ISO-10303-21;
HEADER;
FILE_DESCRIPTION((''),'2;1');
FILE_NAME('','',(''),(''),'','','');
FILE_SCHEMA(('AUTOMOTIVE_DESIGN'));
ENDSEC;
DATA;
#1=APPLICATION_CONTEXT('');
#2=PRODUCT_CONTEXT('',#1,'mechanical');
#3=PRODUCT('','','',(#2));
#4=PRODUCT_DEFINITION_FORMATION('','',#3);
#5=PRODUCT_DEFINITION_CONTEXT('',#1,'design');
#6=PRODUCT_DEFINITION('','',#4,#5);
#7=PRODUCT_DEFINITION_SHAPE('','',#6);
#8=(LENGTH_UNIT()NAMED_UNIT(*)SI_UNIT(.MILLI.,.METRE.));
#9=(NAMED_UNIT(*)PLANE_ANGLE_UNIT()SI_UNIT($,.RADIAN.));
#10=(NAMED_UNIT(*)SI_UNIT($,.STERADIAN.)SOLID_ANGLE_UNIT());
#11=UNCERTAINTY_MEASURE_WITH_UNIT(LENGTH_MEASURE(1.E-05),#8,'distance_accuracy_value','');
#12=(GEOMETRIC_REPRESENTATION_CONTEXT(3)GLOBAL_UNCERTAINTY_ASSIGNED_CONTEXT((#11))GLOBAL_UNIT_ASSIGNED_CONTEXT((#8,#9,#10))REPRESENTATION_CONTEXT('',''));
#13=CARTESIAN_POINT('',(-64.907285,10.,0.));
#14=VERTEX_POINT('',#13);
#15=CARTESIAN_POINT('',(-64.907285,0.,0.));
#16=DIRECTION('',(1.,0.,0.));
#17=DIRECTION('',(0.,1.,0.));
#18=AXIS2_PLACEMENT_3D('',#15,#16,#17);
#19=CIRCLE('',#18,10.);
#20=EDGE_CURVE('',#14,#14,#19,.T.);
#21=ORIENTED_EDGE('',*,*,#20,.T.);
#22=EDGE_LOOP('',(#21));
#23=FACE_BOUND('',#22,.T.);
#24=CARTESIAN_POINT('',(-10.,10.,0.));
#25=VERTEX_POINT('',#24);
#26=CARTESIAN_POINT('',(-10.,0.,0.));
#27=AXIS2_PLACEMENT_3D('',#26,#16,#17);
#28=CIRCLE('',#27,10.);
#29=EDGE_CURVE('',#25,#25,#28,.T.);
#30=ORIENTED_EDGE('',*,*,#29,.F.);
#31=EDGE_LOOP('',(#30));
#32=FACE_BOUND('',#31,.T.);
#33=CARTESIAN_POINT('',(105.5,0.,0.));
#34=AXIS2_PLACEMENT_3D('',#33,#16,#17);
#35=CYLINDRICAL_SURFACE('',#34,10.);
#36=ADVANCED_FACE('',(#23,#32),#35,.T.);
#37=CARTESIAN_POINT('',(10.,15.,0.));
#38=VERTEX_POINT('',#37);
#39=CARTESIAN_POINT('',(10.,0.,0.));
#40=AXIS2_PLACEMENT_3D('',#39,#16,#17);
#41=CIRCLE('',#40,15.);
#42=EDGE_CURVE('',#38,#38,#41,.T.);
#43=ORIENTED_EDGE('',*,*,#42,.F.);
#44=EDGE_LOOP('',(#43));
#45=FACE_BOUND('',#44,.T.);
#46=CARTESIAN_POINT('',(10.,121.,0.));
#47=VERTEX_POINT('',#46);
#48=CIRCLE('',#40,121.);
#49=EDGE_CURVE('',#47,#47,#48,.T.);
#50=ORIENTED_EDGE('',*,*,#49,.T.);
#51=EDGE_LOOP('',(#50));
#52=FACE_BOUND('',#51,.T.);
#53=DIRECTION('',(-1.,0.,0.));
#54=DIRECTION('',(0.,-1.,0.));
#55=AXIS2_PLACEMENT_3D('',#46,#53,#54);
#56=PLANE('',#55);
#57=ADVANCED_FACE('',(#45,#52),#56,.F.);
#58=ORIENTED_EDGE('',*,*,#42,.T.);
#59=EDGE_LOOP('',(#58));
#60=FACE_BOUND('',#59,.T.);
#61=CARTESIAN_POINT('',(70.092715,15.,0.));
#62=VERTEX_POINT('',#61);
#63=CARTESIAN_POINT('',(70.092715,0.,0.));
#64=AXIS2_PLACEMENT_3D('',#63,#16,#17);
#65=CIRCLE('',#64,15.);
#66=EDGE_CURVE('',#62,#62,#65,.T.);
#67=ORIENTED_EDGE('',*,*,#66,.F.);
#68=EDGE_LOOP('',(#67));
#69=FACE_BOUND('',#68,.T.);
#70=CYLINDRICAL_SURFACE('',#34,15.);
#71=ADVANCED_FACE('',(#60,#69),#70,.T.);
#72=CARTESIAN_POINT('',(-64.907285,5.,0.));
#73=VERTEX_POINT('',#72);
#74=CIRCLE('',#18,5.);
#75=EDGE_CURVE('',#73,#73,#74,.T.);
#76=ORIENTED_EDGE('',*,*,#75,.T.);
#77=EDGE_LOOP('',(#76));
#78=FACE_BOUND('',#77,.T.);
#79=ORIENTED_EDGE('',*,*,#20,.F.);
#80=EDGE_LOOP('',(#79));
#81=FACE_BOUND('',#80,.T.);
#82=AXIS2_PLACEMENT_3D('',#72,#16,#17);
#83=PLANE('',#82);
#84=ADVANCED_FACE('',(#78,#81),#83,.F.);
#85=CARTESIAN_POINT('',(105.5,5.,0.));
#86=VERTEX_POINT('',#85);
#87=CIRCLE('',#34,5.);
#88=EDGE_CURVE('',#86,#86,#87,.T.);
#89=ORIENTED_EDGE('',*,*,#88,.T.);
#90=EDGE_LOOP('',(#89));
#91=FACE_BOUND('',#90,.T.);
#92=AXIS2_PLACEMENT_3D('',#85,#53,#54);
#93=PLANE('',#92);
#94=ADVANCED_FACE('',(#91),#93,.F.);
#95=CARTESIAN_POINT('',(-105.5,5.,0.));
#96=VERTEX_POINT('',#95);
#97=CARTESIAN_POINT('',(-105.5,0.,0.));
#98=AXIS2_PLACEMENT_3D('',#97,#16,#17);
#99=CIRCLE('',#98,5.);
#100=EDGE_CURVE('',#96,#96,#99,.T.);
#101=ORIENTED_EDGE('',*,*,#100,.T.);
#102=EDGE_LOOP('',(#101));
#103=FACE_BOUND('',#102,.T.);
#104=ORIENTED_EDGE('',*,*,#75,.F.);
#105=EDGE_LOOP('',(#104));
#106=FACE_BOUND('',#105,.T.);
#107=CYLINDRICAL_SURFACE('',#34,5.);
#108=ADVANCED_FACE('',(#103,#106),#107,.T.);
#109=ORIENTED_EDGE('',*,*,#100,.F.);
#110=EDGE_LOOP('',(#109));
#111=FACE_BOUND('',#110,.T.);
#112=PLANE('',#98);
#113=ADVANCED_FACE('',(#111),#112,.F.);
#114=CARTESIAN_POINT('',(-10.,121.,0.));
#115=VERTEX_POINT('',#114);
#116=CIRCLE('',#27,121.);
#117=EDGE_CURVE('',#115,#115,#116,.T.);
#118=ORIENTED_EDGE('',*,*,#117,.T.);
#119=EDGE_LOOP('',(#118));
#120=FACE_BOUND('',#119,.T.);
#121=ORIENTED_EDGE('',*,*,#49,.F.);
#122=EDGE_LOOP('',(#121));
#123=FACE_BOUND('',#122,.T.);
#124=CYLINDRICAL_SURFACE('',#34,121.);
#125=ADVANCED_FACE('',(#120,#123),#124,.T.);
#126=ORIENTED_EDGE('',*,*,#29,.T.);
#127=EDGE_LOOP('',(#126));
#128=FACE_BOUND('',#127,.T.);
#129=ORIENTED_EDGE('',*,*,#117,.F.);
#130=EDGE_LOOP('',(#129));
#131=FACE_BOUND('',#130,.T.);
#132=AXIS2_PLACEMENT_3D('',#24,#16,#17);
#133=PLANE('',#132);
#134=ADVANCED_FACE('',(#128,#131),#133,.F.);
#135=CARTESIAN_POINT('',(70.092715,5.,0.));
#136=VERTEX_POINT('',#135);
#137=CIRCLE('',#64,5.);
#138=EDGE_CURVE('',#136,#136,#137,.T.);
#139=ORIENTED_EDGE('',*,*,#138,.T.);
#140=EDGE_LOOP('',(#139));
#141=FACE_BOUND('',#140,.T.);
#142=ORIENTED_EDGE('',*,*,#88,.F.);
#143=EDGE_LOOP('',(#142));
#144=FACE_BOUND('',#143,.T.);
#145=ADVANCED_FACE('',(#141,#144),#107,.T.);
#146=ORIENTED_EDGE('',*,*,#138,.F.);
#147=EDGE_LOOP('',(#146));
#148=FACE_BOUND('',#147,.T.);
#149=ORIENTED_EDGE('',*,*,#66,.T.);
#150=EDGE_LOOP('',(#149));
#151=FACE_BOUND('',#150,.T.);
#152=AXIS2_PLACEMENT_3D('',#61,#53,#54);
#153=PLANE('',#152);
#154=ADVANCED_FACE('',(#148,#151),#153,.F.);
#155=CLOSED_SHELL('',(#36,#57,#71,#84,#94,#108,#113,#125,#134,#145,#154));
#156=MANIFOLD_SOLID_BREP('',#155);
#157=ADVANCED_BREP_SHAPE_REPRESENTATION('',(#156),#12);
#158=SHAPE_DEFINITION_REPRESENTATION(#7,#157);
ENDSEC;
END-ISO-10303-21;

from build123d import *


with BuildPart() as part:
    # Sketch1 → Revolve1 (revolve)
    with BuildSketch(Plane.XY):
        Polygon((-105.5, 5), (-64.907285172, 5), (-64.907285172, 10), (-10, 10), (-10, 121), (10, 121), (10, 15), (70.092714828, 15), (70.092714828, 5), (105.5, 5), (105.5, 0), (-105.5, 0), align=None)
    revolve(axis=Axis((105.5, 0, 0), (-1, 0, 0)))


solid = part.part
